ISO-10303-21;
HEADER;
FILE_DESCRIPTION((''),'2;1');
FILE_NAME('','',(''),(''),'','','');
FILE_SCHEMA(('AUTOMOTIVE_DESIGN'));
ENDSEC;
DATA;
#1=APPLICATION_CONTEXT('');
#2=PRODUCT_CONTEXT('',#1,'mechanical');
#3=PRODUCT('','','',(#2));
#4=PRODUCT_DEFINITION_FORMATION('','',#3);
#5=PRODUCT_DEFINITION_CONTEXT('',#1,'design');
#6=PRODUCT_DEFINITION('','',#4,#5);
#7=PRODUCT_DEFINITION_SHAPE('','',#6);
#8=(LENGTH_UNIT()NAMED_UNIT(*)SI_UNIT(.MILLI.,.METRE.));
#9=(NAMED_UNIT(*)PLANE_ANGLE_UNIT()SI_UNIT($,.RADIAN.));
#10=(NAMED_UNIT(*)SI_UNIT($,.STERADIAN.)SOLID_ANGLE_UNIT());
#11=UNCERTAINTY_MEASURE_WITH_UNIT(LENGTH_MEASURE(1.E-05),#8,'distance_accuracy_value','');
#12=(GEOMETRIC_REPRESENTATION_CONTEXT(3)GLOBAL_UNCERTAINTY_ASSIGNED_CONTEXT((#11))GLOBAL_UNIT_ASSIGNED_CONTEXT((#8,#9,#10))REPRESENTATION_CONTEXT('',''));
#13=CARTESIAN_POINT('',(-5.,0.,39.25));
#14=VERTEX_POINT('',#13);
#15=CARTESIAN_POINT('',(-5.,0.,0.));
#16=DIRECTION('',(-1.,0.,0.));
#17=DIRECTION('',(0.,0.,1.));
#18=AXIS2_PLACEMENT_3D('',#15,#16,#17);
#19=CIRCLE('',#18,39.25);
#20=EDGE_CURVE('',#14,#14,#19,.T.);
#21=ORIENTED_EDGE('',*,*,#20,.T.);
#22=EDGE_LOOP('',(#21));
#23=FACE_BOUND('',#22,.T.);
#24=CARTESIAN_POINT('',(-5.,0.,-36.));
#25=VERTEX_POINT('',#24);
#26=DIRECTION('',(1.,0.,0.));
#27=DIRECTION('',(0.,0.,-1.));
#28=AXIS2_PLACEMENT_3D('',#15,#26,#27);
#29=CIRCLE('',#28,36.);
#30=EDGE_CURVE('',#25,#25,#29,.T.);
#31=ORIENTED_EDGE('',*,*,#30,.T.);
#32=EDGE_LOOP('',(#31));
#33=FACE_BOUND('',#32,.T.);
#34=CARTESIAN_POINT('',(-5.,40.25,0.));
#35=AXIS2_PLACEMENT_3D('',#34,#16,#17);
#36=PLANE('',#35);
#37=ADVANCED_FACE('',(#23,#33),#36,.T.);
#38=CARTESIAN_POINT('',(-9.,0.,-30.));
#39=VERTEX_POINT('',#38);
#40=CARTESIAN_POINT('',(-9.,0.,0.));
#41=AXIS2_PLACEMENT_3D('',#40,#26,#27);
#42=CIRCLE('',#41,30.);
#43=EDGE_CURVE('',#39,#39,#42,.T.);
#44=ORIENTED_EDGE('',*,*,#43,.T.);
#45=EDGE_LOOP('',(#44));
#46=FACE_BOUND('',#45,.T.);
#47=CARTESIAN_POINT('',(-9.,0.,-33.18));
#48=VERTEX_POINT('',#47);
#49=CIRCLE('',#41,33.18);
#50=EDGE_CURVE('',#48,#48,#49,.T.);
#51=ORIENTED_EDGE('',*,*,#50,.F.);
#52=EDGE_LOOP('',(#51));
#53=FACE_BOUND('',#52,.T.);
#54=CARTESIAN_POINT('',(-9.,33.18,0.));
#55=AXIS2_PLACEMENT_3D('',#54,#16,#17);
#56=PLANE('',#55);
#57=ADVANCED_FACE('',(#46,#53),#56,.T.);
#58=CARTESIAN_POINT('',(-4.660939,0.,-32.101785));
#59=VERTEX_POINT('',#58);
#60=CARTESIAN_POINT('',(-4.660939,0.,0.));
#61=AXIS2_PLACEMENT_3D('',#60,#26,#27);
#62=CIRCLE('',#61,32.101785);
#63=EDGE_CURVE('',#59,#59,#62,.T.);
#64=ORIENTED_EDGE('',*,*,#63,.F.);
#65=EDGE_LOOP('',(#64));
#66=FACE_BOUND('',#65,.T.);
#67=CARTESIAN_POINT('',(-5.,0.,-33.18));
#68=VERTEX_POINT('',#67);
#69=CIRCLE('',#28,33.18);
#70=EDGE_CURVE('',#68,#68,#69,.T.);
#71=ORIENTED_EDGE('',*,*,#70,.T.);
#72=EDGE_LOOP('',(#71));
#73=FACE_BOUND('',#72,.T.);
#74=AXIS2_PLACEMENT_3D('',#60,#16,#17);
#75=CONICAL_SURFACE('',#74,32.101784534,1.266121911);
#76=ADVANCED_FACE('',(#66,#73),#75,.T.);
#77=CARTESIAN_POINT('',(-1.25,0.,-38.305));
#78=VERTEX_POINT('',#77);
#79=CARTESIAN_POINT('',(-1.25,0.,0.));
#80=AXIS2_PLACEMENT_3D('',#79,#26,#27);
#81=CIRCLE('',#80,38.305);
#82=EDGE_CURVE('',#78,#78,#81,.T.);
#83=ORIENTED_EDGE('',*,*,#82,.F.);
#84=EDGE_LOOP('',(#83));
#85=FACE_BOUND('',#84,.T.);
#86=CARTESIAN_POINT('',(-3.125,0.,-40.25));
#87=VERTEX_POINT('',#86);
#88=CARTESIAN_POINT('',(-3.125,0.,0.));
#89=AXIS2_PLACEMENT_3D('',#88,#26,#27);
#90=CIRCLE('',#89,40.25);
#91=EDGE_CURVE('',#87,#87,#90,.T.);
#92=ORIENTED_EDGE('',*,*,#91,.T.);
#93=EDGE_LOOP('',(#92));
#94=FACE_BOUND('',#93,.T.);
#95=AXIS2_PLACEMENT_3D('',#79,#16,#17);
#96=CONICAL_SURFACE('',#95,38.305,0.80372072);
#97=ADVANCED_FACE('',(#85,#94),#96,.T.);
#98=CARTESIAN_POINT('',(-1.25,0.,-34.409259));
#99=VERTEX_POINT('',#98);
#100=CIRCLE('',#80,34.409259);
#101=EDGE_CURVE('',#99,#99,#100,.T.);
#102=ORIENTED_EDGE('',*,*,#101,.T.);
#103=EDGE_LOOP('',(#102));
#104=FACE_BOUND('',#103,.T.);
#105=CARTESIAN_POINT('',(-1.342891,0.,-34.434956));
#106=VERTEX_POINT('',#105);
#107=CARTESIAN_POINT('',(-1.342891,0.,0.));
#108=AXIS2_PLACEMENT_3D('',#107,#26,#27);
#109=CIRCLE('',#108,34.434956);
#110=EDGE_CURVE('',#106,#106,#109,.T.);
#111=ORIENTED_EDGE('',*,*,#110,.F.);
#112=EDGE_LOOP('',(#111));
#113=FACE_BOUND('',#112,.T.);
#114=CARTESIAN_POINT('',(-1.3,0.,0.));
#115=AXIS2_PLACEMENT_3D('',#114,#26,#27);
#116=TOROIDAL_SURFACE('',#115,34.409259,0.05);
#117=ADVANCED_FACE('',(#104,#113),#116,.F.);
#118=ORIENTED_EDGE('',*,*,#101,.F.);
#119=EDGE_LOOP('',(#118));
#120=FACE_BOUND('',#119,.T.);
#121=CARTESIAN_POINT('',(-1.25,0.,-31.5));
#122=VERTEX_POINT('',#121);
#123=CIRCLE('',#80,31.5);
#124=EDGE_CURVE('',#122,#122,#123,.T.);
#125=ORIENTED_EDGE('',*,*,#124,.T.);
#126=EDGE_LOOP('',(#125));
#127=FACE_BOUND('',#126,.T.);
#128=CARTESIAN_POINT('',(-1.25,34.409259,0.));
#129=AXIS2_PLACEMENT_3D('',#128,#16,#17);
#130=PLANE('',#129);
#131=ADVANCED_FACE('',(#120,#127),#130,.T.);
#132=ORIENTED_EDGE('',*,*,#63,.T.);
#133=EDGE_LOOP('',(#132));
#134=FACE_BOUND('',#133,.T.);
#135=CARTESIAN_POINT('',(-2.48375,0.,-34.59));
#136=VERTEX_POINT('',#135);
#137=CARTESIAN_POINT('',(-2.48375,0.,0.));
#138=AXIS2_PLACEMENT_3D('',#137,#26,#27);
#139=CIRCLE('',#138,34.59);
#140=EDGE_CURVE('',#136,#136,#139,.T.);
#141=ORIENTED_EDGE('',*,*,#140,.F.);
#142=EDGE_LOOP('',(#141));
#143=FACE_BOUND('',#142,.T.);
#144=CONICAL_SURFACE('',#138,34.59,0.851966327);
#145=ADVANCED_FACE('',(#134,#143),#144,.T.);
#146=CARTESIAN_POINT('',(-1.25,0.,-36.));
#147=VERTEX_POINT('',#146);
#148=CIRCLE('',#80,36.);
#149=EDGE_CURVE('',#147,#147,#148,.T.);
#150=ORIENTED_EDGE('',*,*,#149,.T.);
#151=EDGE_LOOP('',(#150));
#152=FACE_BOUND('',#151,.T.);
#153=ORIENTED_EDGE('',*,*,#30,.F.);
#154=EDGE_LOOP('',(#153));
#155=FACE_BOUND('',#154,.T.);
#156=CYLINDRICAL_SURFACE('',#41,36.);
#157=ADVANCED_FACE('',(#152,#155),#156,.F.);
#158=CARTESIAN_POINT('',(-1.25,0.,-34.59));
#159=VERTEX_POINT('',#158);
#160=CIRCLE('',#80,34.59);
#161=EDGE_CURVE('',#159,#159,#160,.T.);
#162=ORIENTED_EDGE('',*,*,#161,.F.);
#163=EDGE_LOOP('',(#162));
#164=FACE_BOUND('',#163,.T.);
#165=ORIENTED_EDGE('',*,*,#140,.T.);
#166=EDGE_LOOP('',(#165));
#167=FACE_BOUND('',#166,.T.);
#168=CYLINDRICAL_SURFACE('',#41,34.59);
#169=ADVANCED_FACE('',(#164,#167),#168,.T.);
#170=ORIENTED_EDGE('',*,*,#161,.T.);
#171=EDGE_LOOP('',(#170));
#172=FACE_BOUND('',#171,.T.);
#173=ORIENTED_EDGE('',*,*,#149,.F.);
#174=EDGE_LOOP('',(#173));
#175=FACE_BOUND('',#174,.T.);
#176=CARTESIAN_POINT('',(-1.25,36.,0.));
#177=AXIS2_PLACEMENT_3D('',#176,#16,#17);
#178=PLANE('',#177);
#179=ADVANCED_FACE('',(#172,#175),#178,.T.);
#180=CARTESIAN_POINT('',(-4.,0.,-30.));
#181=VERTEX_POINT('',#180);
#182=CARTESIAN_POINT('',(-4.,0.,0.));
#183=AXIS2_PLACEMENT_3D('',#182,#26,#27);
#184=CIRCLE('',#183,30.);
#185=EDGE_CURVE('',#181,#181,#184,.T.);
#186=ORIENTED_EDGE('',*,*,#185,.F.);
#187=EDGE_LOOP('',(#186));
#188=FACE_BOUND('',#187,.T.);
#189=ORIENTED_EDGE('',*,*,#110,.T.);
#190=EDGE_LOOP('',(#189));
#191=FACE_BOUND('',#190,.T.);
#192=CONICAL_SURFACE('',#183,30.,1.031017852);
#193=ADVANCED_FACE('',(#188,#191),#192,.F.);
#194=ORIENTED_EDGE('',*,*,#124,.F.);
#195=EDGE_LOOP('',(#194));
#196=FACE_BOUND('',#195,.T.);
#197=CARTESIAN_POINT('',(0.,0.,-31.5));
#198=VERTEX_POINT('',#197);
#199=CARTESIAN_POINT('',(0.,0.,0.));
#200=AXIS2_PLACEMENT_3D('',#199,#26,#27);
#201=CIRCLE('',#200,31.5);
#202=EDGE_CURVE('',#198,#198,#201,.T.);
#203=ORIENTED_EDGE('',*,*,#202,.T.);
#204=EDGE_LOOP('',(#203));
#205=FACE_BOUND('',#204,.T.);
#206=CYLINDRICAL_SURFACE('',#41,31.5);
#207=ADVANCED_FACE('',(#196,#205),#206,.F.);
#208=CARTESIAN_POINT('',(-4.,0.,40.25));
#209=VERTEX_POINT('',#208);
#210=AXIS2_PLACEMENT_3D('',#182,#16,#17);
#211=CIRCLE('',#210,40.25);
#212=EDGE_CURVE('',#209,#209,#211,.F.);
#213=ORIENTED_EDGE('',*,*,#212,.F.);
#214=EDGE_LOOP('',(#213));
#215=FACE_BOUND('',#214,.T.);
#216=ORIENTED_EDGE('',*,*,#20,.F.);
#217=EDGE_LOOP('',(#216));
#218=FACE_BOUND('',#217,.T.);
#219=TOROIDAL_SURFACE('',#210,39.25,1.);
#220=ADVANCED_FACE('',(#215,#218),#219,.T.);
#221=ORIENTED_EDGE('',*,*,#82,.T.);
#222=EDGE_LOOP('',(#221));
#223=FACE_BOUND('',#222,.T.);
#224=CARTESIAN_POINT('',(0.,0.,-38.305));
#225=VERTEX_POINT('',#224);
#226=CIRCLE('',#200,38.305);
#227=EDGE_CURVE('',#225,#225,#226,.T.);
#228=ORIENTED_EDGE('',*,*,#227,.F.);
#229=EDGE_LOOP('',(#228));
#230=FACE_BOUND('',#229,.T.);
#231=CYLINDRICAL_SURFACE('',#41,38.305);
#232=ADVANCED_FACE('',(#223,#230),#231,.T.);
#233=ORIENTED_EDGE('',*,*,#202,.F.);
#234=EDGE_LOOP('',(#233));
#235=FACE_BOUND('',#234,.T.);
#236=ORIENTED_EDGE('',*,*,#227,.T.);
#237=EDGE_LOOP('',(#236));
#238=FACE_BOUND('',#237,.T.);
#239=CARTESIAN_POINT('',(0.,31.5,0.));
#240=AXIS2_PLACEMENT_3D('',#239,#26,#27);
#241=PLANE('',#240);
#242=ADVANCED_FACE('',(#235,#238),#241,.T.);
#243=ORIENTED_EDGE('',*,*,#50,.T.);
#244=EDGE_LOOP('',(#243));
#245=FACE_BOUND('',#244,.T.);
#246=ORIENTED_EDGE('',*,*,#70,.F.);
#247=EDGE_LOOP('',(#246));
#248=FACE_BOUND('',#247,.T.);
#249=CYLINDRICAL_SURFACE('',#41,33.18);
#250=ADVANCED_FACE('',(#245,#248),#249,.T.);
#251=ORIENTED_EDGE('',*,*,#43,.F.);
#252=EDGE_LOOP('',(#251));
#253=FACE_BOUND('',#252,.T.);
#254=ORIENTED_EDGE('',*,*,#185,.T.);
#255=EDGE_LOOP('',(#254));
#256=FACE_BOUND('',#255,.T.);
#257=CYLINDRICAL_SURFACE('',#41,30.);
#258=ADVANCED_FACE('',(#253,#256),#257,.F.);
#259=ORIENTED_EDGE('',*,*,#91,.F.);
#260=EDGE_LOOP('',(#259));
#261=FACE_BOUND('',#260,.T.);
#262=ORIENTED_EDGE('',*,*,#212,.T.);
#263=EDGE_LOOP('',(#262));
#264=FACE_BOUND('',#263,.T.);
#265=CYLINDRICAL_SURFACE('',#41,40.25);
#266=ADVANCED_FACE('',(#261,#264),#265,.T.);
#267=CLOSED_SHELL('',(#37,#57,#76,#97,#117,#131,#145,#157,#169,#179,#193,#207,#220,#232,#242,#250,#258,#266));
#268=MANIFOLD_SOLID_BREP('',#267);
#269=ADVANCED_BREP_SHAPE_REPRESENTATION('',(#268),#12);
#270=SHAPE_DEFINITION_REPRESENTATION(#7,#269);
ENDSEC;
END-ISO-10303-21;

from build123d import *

# Parameters (mm, degrees)
FILLET1_R = 1


with BuildPart() as part:
    # Sketch1 → Revolve1 (revolve)
    with BuildSketch(Plane.XY, mode=Mode.PRIVATE) as revolve1_sk:
        with BuildLine():
            Line((-1.25, 38.305), (-3.125, 40.25))
            Line((-3.125, 40.25), (-5, 40.25))
            Line((-5, 40.25), (-5, 36))
            Line((-5, 36), (-1.25, 36))
            Line((-1.25, 36), (-1.25, 34.59))
            Line((-1.25, 34.59), (-2.48375, 34.59))
            Line((-2.48375, 34.59), (-4.660938533, 32.101784534))
            Line((-4.660938533, 32.101784534), (-5, 33.18))
            Line((-5, 33.18), (-9, 33.18))
            Line((-9, 33.18), (-9, 30))
            Line((-9, 30), (-4, 30))
            Line((-4, 30), (-1.342891128, 34.434956263))
            ThreePointArc((-1.342891128, 34.434956263), (-1.286668766, 34.457448986), (-1.25, 34.409258964))
            Line((-1.25, 34.409258964), (-1.25, 31.5))
            Line((-1.25, 31.5), (0, 31.5))
            Line((0, 31.5), (0, 38.305))
            Line((0, 38.305), (-1.25, 38.305))
        make_face()
    revolve(revolve1_sk.sketch.rotate(Axis((-9, 0, 0), (1, 0, 0)), 270), axis=Axis((-9, 0, 0), (1, 0, 0)))

    # Fillet1
    fillet1_edges = [part.edges().sort_by_distance(p)[0] for p in [
        (-5, 0, 40.25),
    ]]
    fillet(fillet1_edges, radius=FILLET1_R)


solid = part.part
